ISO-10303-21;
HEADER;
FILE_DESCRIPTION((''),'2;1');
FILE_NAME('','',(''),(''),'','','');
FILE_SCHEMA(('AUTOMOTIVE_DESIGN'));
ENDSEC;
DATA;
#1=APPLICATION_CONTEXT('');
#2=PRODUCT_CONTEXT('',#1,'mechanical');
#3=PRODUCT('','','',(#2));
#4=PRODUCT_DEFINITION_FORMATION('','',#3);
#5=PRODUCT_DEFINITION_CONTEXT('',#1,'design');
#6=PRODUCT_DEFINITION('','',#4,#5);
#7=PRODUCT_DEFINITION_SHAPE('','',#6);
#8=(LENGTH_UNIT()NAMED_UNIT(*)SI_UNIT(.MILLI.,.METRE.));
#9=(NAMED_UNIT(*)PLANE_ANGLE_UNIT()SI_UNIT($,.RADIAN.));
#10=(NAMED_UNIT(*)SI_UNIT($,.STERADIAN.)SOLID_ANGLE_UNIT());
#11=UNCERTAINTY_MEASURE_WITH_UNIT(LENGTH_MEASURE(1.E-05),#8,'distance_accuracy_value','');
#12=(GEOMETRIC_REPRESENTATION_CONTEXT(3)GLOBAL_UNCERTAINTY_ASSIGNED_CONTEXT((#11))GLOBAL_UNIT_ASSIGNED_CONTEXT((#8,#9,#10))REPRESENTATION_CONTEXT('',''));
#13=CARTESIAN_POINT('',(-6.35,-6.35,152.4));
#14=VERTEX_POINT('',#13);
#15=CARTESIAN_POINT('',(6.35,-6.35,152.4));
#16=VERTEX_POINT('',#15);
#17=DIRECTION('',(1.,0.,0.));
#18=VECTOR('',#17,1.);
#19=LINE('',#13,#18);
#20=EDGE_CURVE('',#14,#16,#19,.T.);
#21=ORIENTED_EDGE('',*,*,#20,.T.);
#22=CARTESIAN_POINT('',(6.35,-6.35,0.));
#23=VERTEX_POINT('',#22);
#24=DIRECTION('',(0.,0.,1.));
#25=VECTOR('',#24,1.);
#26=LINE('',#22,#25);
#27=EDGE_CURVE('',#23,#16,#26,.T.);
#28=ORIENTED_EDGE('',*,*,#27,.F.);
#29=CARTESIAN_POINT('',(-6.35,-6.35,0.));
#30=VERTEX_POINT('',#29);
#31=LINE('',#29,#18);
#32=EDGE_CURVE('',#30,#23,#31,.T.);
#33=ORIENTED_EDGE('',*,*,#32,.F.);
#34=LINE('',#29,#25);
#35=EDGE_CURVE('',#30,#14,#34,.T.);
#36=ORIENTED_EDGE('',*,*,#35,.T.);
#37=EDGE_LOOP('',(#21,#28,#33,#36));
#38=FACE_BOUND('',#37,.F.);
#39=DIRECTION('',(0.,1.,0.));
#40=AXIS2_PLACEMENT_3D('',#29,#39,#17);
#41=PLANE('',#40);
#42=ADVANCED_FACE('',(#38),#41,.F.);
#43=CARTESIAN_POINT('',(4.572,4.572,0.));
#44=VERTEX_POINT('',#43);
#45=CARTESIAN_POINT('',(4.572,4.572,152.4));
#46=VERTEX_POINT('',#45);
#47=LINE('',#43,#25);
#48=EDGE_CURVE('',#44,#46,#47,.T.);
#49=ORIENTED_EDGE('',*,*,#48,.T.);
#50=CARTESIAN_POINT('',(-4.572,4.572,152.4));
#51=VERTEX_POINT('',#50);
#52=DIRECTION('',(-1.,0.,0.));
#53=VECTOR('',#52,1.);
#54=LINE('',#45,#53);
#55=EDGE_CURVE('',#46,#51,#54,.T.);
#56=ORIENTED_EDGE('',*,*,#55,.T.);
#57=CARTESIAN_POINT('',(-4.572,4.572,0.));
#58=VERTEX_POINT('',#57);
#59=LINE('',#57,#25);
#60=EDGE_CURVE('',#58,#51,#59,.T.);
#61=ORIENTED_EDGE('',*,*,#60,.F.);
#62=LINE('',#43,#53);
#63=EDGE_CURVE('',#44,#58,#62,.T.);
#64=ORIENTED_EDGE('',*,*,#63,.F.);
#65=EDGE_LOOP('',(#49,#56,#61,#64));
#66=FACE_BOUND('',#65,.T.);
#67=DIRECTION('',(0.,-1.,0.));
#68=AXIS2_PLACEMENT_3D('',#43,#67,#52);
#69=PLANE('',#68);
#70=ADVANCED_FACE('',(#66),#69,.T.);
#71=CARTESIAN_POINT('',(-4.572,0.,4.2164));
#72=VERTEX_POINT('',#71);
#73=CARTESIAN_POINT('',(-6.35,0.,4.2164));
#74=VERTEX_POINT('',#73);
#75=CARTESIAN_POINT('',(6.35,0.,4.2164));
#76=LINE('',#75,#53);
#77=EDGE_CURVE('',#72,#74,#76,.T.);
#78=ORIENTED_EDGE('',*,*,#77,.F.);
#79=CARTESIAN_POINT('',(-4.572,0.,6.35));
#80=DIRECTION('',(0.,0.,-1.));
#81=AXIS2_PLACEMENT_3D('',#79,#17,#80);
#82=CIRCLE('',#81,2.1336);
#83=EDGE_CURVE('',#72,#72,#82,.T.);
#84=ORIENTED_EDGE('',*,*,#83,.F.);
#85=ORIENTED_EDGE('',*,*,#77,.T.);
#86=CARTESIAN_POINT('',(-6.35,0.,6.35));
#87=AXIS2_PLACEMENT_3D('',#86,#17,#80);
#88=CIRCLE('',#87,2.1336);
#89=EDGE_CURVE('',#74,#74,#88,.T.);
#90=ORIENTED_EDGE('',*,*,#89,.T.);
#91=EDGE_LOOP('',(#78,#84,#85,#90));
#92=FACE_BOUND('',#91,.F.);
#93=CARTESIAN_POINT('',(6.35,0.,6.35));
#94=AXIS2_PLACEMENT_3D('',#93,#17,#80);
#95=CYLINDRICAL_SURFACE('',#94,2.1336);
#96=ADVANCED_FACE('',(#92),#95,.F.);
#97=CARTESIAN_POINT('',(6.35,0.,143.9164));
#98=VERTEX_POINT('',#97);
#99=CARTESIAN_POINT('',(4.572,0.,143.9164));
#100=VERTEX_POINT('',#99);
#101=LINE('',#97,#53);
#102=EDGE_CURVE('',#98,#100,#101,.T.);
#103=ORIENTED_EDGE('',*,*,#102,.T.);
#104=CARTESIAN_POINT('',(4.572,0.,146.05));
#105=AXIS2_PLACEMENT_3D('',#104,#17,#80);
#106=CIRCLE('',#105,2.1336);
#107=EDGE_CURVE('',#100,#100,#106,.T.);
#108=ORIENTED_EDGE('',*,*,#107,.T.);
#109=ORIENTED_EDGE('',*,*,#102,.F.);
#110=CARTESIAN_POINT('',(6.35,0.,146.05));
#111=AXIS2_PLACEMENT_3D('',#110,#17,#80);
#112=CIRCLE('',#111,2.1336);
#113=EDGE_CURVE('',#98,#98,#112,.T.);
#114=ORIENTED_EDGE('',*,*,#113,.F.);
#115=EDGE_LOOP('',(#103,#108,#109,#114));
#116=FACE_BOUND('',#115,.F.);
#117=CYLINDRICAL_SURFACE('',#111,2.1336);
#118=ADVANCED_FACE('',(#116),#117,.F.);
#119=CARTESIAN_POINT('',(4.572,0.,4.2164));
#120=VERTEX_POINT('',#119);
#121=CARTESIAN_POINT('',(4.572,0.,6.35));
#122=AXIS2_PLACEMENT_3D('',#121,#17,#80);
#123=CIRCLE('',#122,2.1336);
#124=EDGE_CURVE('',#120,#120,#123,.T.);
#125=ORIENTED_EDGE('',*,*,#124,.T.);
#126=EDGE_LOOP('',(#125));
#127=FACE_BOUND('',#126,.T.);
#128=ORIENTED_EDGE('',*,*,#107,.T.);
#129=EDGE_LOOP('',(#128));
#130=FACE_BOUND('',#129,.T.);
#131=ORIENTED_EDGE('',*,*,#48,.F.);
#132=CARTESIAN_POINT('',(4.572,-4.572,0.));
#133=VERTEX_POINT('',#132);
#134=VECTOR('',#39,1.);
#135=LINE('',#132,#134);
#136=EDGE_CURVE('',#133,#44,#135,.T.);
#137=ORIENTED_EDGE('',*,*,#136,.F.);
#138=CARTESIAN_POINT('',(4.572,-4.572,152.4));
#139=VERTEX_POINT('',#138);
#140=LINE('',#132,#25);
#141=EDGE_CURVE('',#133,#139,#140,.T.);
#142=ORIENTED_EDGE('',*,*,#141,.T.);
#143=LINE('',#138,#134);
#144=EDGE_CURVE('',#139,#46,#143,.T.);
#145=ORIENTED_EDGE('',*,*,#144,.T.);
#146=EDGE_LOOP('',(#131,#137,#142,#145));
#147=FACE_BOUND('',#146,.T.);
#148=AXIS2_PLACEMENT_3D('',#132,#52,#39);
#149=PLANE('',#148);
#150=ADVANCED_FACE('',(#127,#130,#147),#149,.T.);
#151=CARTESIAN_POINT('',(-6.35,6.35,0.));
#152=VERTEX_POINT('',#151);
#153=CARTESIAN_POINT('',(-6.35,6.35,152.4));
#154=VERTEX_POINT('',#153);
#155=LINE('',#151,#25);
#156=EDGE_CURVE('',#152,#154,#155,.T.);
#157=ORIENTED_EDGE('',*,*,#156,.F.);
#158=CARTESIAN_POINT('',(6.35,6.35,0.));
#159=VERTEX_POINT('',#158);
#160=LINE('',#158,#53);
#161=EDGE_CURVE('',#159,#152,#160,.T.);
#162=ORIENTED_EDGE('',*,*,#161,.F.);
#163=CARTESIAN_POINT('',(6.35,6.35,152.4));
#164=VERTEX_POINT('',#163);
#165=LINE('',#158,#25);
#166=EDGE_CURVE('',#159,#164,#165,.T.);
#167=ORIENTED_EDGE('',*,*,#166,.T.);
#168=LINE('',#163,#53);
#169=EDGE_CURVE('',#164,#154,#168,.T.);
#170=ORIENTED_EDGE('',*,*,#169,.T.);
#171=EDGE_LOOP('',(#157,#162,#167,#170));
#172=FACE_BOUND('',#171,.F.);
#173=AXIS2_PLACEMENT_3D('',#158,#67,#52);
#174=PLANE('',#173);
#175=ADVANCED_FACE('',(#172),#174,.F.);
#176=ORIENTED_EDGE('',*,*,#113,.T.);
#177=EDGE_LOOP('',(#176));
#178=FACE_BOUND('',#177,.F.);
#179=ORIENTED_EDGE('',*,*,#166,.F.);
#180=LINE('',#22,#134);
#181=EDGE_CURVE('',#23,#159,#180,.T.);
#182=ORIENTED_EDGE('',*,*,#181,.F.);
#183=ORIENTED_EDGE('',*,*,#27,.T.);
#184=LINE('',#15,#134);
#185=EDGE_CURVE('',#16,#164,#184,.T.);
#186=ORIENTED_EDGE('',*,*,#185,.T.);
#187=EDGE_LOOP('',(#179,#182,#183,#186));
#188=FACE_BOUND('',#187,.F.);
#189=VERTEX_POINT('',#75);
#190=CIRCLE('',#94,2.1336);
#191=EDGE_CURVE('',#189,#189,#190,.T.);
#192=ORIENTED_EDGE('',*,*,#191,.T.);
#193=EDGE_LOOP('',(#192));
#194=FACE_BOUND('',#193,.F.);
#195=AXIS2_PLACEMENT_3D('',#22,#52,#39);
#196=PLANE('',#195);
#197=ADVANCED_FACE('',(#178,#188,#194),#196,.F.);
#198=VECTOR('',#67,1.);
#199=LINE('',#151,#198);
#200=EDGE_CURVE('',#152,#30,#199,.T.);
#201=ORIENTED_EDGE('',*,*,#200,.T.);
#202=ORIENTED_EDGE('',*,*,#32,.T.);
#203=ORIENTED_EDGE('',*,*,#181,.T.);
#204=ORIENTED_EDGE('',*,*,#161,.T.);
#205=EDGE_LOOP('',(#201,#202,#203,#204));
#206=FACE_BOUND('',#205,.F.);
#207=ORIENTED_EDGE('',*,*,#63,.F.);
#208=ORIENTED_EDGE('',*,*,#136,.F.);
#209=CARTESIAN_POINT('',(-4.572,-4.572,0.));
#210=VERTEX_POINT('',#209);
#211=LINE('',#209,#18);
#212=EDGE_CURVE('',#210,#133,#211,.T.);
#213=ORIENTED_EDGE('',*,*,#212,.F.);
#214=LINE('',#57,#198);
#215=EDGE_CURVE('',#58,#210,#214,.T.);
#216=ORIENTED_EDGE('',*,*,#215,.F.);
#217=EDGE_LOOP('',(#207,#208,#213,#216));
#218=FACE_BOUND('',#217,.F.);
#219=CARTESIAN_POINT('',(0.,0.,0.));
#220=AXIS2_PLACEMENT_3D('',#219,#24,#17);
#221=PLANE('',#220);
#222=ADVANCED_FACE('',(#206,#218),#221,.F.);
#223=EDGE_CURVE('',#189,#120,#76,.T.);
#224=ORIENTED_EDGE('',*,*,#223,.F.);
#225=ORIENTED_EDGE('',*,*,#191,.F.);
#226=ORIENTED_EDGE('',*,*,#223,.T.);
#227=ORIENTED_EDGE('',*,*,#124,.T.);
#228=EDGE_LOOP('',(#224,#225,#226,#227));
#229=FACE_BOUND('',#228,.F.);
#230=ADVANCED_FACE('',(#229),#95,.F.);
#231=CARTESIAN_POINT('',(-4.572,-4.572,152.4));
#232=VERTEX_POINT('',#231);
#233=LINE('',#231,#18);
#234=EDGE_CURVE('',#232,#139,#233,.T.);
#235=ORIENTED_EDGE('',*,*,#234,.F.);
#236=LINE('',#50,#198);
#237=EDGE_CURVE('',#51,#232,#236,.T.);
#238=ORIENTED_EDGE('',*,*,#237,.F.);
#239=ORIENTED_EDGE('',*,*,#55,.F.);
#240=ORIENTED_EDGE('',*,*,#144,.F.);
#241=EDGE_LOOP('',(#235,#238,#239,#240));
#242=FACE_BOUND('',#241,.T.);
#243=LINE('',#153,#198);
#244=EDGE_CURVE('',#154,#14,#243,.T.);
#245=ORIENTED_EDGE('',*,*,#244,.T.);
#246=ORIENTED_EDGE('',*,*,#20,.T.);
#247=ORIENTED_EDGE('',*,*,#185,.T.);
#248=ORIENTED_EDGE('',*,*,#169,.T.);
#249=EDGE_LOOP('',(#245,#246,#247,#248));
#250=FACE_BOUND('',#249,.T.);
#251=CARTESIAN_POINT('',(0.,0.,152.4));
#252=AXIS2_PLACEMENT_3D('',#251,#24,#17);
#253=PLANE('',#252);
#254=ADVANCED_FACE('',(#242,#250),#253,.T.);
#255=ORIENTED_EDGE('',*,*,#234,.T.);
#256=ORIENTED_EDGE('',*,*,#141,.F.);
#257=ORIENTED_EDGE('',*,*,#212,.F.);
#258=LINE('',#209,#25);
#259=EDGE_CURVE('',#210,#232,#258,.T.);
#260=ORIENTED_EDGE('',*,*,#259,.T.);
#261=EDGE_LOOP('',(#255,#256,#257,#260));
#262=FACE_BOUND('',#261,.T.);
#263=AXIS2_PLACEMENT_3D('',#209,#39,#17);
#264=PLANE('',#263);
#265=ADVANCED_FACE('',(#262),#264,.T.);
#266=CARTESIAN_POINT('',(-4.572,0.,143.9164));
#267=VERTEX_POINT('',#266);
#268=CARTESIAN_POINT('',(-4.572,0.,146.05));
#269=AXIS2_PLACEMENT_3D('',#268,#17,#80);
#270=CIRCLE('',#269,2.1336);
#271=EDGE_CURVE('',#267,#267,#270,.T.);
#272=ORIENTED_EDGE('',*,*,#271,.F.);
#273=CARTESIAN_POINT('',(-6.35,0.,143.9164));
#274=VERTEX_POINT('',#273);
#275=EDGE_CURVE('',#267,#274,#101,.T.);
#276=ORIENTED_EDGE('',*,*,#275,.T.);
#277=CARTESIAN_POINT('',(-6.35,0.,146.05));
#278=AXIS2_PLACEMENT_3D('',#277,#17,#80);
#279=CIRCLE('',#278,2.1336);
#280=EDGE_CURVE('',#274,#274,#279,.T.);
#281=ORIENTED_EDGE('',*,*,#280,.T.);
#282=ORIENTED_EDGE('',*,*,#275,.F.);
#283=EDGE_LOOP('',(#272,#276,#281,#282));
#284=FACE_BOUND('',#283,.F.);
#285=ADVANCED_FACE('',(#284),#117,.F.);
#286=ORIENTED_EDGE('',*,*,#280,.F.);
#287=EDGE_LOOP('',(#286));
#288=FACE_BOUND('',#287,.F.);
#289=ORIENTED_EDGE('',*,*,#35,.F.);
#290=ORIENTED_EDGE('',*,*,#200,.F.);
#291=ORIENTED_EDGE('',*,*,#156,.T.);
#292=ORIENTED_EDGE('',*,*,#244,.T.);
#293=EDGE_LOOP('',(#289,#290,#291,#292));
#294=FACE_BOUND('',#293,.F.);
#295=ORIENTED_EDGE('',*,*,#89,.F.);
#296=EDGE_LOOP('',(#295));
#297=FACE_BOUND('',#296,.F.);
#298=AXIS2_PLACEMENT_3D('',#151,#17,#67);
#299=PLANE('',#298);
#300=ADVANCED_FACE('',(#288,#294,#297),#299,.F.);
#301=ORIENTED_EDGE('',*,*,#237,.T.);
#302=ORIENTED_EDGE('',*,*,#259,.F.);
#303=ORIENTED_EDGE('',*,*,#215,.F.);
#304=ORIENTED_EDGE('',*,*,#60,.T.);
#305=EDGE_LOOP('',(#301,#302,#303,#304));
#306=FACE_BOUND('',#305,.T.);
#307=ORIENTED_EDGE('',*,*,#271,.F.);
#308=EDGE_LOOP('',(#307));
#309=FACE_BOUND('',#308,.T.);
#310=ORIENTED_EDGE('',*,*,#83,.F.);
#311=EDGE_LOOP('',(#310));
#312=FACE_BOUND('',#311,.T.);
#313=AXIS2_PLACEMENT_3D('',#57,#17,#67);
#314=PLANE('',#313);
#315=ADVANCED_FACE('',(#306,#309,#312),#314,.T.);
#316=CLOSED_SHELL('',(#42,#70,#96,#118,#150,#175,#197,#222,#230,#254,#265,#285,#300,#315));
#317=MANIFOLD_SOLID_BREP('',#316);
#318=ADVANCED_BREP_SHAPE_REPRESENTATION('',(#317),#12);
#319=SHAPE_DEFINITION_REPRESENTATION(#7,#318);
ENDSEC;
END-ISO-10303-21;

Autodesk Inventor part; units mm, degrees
ref_plane "YZ Plane" through (0, 0, 0) normal (1, 0, 0) x (0, 1, 0)
ref_plane "XZ Plane" through (0, 0, 0) normal (0, 1, 0) x (-1, 0, 0)
ref_plane "XY Plane" through (0, 0, 0) normal (0, 0, 1) x (1, 0, 0)
sketch "Sketch1" plane through (0, 0, 0) normal (0, 0, 1) x (1, 0, 0)
  line L0 (-6.35, -6.35) -> (6.35, -6.35)
  line L1 (6.35, -6.35) -> (6.35, 6.35)
  line L2 (6.35, 6.35) -> (-6.35, 6.35)
  line L3 (-6.35, 6.35) -> (-6.35, -6.35)
  line L4 (-6.35, -6.35) -> (6.35, 6.35) construction
  line L5 (6.35, -6.35) -> (-6.35, 6.35) construction
  line L6 (4.572, 4.572) -> (-4.572, 4.572)
  line L7 (-4.572, 4.572) -> (-4.572, -4.572)
  line L8 (-4.572, -4.572) -> (4.572, -4.572)
  line L9 (4.572, -4.572) -> (4.572, 4.572)
  line L10 (4.572, 4.572) -> (-4.572, -4.572) construction
  line L11 (-4.572, 4.572) -> (4.572, -4.572) construction
  point P0 (0, 0)
  dimension "d0" = 12.7
  dimension "d1" = 12.7
  dimension "d2" = 10.922
  dimension "d3" = 10.922
extrude "Extrusion1" add sketch "Sketch1" along normal blind 152.4
sketch "Sketch2" plane through (6.35, -6.35, 0) normal (1, 0, 0) x (0, 0, -1)
  line L0 (0, 0) -> (0, 12.7) projected
  line L1 (-152.4, 0) -> (-152.4, 12.7) projected
  circle A0 centre (-146.05, 6.35) radius 2.1336
  circle A1 centre (-6.35, 6.35) radius 2.1336
  point P0 (0, 6.35)
  dimension "d6" = 4.2672
  dimension "d7" = 6.35
  dimension "d8" = 4.2672
  dimension "d9" = 6.35
extrude "Extrusion2" cut sketch "Sketch2" against normal blind 12.7
properties part number "ShortBox" material "Aluminum 6061"
